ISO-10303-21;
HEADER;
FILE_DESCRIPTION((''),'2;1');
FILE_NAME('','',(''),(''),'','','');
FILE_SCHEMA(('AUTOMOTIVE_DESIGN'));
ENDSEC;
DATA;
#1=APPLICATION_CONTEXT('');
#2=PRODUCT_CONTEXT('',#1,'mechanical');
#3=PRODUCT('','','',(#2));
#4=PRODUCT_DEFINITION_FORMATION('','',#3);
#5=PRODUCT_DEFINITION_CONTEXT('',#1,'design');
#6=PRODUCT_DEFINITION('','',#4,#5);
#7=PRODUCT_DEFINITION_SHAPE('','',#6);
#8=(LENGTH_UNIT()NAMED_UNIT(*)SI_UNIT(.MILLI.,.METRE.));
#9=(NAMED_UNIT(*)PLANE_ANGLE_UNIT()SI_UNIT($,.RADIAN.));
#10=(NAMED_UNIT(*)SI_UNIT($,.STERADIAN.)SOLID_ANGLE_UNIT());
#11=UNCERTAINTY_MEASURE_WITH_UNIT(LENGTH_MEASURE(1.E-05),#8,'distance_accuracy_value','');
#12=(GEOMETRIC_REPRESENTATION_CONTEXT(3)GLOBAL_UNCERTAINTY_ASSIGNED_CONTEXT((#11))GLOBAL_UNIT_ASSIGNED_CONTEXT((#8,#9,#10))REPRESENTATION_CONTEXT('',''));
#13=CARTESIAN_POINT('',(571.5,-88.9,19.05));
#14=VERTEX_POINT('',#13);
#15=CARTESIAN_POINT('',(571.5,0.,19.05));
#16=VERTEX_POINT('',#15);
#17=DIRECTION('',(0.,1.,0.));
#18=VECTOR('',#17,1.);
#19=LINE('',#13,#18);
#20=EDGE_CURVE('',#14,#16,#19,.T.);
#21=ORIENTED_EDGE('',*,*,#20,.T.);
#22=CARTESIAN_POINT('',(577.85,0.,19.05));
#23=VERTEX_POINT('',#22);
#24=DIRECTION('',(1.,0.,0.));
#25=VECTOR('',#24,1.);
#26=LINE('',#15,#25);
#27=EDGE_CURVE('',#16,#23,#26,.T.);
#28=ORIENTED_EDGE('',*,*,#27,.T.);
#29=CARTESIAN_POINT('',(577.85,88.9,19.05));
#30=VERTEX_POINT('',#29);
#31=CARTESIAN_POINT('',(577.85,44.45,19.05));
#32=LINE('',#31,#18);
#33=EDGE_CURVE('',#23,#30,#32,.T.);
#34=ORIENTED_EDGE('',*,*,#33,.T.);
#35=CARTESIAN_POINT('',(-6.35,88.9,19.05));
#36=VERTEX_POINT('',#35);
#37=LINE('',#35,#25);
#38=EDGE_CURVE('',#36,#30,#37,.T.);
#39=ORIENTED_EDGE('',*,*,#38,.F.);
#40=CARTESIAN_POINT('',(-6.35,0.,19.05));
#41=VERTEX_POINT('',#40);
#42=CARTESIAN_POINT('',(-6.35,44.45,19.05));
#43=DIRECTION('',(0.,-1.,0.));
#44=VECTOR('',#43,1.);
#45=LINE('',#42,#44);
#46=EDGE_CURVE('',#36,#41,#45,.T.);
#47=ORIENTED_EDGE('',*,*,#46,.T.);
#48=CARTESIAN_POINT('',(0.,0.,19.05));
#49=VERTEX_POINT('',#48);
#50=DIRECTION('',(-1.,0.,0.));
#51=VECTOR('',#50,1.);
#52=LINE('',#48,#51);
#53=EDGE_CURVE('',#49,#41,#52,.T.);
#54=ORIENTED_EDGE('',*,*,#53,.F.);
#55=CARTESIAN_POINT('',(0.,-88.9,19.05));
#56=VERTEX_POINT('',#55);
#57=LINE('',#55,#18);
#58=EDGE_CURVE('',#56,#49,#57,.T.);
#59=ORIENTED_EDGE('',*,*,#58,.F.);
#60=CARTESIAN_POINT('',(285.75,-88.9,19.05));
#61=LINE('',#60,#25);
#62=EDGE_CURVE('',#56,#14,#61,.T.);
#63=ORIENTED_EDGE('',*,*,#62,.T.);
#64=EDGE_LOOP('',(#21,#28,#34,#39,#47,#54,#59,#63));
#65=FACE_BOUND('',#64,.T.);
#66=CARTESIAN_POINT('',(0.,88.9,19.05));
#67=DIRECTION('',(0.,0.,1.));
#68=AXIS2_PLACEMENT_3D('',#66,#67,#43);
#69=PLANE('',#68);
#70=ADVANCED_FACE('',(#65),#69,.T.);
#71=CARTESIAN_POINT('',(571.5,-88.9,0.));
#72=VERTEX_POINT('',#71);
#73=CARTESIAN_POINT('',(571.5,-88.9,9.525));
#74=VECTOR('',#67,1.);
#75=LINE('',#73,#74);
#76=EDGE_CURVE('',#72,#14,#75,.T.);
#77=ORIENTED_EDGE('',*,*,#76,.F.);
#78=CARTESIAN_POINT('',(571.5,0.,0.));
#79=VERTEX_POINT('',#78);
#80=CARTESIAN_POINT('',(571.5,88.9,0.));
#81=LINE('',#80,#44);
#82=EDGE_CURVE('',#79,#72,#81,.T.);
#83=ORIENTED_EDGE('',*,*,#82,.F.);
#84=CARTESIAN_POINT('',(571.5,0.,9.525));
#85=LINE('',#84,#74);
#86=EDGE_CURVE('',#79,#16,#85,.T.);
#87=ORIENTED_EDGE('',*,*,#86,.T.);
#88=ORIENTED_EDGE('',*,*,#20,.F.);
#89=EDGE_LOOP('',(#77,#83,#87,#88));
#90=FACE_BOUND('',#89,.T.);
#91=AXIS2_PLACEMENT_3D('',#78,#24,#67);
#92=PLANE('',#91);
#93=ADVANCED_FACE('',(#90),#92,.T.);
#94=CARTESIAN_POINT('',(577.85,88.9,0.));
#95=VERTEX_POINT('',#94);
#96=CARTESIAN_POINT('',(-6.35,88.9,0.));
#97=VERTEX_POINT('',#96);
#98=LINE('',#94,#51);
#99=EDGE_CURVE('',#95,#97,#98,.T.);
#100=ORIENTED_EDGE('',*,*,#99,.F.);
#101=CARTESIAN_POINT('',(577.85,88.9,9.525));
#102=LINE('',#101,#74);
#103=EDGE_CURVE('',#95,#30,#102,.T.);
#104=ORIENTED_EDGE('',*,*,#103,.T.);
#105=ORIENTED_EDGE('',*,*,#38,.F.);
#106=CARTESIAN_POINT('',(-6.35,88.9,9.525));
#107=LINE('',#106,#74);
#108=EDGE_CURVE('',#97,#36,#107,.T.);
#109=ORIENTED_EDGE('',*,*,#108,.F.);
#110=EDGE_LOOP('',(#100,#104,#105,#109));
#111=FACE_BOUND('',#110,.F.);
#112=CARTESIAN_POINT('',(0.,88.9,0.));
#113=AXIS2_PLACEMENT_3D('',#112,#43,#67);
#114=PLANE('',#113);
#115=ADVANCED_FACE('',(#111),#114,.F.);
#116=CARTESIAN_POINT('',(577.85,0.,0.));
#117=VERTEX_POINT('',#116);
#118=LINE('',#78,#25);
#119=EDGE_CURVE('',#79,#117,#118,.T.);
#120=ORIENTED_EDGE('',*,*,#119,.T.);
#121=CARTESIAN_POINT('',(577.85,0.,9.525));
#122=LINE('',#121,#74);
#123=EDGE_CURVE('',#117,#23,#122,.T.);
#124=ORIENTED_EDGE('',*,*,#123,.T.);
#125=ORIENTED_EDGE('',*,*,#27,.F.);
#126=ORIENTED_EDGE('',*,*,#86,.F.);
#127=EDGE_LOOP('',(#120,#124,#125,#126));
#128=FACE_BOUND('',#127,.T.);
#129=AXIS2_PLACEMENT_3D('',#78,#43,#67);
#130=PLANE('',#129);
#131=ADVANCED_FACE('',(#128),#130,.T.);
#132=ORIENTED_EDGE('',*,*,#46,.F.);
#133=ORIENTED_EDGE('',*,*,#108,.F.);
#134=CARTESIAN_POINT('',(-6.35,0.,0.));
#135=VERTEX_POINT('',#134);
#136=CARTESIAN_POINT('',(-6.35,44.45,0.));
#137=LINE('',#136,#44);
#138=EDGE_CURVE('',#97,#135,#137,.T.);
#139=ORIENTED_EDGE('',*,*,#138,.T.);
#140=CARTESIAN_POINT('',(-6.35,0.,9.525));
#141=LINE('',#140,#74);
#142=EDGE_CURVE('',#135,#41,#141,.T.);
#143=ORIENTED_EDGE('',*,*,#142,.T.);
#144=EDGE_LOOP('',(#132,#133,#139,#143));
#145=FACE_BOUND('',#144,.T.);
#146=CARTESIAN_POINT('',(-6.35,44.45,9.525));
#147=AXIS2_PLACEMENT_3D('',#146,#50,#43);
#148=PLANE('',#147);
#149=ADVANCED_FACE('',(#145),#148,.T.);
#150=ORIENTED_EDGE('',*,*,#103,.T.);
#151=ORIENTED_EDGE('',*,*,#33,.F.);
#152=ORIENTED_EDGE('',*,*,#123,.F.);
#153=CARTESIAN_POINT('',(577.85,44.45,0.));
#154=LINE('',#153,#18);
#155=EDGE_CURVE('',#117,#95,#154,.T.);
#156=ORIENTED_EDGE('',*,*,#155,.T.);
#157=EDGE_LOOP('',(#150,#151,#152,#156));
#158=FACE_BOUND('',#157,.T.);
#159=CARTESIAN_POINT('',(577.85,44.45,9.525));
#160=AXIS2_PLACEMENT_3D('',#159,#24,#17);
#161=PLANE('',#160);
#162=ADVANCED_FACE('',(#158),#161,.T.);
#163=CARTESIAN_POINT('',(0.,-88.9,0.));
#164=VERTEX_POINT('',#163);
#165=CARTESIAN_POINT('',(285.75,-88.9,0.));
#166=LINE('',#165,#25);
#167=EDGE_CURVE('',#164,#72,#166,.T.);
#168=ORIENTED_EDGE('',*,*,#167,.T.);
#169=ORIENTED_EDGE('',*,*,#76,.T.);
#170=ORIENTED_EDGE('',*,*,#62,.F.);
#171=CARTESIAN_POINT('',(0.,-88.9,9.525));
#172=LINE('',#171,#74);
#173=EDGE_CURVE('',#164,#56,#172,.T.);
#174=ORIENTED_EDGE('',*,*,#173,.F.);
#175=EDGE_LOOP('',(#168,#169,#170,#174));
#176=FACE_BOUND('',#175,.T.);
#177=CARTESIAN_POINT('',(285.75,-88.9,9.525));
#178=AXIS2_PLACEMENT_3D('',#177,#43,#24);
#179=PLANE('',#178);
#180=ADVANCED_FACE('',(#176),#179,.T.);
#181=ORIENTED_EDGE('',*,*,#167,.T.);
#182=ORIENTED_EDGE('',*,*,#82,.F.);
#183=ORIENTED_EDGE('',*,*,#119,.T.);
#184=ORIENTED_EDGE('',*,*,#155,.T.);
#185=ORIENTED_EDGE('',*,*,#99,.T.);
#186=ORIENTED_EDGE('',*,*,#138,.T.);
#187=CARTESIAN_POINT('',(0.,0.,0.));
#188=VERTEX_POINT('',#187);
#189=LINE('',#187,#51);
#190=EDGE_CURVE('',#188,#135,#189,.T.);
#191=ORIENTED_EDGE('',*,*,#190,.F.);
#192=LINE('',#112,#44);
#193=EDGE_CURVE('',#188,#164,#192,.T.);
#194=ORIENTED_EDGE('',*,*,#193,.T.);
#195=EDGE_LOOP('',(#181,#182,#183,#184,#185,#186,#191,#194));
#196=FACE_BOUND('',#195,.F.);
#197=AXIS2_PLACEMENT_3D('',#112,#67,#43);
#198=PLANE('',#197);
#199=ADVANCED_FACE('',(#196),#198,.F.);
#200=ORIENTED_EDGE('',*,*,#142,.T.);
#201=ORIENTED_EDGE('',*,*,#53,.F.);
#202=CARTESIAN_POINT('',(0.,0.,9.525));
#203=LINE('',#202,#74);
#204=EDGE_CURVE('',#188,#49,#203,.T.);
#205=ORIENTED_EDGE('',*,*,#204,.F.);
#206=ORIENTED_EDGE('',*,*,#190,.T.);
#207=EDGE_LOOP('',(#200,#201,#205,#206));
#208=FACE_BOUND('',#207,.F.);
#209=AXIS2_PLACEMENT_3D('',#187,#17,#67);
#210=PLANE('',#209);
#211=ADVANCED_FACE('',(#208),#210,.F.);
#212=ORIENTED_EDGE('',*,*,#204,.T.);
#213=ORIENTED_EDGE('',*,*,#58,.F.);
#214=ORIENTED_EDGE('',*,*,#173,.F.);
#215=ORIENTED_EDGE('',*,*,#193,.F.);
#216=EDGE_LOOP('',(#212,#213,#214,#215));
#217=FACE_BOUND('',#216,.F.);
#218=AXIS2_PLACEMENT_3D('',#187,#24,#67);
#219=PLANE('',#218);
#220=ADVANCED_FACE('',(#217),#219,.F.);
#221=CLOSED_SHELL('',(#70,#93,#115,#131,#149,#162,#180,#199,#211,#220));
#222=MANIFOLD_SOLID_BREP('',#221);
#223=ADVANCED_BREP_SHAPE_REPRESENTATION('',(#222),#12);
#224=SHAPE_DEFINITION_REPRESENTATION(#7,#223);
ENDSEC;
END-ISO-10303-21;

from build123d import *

# Parameters (mm, degrees)
F0_W          = 571.5
F0_H          = 19.05
F1_DEPTH      = 88.9
F2_W          = 88.9
F2_H          = 19.05
F3_DEPTH      = 6.35
F4_W          = 88.9
F4_H          = 19.05
F5_DEPTH      = 6.35
F5_DEPTH_BACK = 25.4


with BuildPart() as f1:
    # F0 (on Front) → F1 (new body, symmetric)
    with BuildSketch(Plane.XZ):
        with Locations((285.75, 9.525)):
            Rectangle(F0_W, F0_H)
    extrude(amount=F1_DEPTH, both=True)

    # F2 (on face) → F3 (join)
    with BuildSketch(Plane.YZ.offset(571.5)):
        with Locations((44.45, 9.525)):
            Rectangle(F2_W, F2_H)
    extrude(amount=F3_DEPTH)

    # F4 (on face) → F5 (join, two sides)
    with BuildSketch(Plane(origin=(0, 0, 0), x_dir=(0, -1, 0), z_dir=(-1, 0, 0))) as f5_sk:
        with Locations((-44.45, 9.525)):
            Rectangle(F4_W, F4_H)
    extrude(amount=F5_DEPTH)
    extrude(f5_sk.sketch, amount=-F5_DEPTH_BACK)


solid = f1.part
